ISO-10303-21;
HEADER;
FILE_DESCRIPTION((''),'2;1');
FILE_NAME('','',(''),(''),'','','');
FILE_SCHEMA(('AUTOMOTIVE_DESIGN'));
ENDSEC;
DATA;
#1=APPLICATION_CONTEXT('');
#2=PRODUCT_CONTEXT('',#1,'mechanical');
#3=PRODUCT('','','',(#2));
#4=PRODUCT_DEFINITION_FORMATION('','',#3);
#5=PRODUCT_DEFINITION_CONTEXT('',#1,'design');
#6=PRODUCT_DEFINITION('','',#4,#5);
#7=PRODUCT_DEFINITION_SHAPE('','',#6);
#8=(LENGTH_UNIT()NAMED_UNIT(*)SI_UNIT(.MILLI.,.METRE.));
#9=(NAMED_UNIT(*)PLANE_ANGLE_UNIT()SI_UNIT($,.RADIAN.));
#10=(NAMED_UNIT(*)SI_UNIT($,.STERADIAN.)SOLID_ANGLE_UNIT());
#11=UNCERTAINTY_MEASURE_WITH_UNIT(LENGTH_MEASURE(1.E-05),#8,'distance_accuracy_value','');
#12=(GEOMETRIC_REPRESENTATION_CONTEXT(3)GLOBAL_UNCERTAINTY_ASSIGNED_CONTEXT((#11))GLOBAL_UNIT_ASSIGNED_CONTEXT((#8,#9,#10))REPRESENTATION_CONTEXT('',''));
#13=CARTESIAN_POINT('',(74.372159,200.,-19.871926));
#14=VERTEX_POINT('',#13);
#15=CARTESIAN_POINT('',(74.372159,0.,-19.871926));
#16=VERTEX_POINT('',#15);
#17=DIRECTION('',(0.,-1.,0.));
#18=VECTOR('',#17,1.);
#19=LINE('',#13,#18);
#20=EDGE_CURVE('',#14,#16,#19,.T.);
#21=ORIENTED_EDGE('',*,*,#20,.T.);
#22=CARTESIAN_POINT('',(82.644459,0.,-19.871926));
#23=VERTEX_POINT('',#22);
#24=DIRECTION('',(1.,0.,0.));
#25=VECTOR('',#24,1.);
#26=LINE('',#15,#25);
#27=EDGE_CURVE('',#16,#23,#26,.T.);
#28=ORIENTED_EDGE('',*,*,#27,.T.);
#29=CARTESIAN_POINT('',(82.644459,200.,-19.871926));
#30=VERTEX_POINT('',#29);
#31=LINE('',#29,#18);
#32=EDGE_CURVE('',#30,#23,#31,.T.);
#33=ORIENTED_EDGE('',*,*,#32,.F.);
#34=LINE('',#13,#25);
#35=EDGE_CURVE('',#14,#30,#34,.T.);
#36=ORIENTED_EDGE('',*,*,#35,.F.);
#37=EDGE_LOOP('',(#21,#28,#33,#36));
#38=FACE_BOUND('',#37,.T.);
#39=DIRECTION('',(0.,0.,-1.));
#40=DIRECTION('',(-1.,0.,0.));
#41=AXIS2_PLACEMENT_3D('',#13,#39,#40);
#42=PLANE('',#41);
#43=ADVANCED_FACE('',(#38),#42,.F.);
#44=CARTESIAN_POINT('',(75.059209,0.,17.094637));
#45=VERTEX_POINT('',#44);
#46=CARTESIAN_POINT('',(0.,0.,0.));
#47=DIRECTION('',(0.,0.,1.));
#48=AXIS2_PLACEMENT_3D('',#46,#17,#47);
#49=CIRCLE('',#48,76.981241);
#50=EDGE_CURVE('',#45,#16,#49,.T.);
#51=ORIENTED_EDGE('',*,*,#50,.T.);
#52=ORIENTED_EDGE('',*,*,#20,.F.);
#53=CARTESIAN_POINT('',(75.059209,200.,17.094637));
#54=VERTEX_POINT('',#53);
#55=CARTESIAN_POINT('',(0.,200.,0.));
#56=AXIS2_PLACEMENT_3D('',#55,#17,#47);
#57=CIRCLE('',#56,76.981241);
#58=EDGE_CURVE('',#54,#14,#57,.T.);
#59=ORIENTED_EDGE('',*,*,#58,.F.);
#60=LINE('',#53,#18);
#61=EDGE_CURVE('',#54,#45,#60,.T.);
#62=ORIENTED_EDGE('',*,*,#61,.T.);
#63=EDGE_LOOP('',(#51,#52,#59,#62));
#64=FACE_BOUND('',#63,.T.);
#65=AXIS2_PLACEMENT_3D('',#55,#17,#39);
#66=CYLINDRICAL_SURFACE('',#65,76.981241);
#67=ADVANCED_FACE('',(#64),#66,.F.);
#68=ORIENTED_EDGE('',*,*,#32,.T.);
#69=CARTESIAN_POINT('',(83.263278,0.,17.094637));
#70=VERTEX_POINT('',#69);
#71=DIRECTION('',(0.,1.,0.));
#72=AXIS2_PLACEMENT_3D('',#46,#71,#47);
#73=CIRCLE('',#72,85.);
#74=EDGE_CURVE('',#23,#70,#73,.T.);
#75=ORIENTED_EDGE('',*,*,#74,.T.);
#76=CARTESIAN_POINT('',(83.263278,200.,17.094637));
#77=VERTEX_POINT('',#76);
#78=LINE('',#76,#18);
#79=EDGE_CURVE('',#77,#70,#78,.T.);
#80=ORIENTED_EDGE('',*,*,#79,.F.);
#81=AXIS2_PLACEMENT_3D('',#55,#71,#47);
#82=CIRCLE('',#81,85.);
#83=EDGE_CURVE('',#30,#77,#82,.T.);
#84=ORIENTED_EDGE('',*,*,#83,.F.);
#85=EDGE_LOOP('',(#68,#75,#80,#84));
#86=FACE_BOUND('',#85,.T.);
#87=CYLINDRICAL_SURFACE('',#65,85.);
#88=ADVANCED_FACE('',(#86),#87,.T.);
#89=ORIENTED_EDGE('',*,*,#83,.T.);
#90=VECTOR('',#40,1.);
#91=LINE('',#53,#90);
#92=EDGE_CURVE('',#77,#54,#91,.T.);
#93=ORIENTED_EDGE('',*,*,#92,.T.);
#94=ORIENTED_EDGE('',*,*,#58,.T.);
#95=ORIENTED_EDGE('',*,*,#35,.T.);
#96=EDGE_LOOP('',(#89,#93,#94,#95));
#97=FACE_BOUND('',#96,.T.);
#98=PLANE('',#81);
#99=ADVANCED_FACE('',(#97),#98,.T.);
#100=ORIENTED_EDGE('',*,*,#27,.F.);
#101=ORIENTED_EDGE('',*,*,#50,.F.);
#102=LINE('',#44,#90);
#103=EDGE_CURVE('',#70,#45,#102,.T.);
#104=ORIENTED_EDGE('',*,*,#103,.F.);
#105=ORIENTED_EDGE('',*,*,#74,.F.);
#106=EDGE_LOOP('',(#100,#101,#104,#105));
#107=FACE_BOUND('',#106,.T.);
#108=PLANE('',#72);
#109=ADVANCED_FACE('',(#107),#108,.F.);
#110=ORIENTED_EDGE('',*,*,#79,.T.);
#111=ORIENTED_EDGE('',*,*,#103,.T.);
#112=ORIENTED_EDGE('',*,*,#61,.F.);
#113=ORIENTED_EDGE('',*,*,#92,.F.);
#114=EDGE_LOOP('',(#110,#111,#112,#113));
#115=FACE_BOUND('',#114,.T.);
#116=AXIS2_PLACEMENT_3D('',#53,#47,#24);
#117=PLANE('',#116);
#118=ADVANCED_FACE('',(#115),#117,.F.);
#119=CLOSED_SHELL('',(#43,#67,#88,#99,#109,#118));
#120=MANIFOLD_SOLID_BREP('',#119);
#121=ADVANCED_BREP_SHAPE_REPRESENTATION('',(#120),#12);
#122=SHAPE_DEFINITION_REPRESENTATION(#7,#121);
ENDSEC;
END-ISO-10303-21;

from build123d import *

# Parameters (mm, degrees)
RESSALTO_EXTRUS_O1_DEPTH = 200


with BuildPart() as part:
    # Esboço1 → Ressalto-extrusão1 (new body)
    with BuildSketch(Plane(origin=(0, 0, 0), x_dir=(1, 0, 0), z_dir=(0, 1, 0))):
        with BuildLine():
            Line((75.059208884, -17.094636578), (83.263277621, -17.094636578))
            ThreePointArc((83.263277621, -17.094636578), (-84.988092882, -1.422697563), (82.644458717, 19.871926011))
            Line((82.644458717, 19.871926011), (74.372158733, 19.871926011))
            ThreePointArc((74.372158733, 19.871926011), (-76.967948487, -1.430504675), (75.059208884, -17.094636578))
        make_face()
    extrude(amount=RESSALTO_EXTRUS_O1_DEPTH)


solid = part.part
